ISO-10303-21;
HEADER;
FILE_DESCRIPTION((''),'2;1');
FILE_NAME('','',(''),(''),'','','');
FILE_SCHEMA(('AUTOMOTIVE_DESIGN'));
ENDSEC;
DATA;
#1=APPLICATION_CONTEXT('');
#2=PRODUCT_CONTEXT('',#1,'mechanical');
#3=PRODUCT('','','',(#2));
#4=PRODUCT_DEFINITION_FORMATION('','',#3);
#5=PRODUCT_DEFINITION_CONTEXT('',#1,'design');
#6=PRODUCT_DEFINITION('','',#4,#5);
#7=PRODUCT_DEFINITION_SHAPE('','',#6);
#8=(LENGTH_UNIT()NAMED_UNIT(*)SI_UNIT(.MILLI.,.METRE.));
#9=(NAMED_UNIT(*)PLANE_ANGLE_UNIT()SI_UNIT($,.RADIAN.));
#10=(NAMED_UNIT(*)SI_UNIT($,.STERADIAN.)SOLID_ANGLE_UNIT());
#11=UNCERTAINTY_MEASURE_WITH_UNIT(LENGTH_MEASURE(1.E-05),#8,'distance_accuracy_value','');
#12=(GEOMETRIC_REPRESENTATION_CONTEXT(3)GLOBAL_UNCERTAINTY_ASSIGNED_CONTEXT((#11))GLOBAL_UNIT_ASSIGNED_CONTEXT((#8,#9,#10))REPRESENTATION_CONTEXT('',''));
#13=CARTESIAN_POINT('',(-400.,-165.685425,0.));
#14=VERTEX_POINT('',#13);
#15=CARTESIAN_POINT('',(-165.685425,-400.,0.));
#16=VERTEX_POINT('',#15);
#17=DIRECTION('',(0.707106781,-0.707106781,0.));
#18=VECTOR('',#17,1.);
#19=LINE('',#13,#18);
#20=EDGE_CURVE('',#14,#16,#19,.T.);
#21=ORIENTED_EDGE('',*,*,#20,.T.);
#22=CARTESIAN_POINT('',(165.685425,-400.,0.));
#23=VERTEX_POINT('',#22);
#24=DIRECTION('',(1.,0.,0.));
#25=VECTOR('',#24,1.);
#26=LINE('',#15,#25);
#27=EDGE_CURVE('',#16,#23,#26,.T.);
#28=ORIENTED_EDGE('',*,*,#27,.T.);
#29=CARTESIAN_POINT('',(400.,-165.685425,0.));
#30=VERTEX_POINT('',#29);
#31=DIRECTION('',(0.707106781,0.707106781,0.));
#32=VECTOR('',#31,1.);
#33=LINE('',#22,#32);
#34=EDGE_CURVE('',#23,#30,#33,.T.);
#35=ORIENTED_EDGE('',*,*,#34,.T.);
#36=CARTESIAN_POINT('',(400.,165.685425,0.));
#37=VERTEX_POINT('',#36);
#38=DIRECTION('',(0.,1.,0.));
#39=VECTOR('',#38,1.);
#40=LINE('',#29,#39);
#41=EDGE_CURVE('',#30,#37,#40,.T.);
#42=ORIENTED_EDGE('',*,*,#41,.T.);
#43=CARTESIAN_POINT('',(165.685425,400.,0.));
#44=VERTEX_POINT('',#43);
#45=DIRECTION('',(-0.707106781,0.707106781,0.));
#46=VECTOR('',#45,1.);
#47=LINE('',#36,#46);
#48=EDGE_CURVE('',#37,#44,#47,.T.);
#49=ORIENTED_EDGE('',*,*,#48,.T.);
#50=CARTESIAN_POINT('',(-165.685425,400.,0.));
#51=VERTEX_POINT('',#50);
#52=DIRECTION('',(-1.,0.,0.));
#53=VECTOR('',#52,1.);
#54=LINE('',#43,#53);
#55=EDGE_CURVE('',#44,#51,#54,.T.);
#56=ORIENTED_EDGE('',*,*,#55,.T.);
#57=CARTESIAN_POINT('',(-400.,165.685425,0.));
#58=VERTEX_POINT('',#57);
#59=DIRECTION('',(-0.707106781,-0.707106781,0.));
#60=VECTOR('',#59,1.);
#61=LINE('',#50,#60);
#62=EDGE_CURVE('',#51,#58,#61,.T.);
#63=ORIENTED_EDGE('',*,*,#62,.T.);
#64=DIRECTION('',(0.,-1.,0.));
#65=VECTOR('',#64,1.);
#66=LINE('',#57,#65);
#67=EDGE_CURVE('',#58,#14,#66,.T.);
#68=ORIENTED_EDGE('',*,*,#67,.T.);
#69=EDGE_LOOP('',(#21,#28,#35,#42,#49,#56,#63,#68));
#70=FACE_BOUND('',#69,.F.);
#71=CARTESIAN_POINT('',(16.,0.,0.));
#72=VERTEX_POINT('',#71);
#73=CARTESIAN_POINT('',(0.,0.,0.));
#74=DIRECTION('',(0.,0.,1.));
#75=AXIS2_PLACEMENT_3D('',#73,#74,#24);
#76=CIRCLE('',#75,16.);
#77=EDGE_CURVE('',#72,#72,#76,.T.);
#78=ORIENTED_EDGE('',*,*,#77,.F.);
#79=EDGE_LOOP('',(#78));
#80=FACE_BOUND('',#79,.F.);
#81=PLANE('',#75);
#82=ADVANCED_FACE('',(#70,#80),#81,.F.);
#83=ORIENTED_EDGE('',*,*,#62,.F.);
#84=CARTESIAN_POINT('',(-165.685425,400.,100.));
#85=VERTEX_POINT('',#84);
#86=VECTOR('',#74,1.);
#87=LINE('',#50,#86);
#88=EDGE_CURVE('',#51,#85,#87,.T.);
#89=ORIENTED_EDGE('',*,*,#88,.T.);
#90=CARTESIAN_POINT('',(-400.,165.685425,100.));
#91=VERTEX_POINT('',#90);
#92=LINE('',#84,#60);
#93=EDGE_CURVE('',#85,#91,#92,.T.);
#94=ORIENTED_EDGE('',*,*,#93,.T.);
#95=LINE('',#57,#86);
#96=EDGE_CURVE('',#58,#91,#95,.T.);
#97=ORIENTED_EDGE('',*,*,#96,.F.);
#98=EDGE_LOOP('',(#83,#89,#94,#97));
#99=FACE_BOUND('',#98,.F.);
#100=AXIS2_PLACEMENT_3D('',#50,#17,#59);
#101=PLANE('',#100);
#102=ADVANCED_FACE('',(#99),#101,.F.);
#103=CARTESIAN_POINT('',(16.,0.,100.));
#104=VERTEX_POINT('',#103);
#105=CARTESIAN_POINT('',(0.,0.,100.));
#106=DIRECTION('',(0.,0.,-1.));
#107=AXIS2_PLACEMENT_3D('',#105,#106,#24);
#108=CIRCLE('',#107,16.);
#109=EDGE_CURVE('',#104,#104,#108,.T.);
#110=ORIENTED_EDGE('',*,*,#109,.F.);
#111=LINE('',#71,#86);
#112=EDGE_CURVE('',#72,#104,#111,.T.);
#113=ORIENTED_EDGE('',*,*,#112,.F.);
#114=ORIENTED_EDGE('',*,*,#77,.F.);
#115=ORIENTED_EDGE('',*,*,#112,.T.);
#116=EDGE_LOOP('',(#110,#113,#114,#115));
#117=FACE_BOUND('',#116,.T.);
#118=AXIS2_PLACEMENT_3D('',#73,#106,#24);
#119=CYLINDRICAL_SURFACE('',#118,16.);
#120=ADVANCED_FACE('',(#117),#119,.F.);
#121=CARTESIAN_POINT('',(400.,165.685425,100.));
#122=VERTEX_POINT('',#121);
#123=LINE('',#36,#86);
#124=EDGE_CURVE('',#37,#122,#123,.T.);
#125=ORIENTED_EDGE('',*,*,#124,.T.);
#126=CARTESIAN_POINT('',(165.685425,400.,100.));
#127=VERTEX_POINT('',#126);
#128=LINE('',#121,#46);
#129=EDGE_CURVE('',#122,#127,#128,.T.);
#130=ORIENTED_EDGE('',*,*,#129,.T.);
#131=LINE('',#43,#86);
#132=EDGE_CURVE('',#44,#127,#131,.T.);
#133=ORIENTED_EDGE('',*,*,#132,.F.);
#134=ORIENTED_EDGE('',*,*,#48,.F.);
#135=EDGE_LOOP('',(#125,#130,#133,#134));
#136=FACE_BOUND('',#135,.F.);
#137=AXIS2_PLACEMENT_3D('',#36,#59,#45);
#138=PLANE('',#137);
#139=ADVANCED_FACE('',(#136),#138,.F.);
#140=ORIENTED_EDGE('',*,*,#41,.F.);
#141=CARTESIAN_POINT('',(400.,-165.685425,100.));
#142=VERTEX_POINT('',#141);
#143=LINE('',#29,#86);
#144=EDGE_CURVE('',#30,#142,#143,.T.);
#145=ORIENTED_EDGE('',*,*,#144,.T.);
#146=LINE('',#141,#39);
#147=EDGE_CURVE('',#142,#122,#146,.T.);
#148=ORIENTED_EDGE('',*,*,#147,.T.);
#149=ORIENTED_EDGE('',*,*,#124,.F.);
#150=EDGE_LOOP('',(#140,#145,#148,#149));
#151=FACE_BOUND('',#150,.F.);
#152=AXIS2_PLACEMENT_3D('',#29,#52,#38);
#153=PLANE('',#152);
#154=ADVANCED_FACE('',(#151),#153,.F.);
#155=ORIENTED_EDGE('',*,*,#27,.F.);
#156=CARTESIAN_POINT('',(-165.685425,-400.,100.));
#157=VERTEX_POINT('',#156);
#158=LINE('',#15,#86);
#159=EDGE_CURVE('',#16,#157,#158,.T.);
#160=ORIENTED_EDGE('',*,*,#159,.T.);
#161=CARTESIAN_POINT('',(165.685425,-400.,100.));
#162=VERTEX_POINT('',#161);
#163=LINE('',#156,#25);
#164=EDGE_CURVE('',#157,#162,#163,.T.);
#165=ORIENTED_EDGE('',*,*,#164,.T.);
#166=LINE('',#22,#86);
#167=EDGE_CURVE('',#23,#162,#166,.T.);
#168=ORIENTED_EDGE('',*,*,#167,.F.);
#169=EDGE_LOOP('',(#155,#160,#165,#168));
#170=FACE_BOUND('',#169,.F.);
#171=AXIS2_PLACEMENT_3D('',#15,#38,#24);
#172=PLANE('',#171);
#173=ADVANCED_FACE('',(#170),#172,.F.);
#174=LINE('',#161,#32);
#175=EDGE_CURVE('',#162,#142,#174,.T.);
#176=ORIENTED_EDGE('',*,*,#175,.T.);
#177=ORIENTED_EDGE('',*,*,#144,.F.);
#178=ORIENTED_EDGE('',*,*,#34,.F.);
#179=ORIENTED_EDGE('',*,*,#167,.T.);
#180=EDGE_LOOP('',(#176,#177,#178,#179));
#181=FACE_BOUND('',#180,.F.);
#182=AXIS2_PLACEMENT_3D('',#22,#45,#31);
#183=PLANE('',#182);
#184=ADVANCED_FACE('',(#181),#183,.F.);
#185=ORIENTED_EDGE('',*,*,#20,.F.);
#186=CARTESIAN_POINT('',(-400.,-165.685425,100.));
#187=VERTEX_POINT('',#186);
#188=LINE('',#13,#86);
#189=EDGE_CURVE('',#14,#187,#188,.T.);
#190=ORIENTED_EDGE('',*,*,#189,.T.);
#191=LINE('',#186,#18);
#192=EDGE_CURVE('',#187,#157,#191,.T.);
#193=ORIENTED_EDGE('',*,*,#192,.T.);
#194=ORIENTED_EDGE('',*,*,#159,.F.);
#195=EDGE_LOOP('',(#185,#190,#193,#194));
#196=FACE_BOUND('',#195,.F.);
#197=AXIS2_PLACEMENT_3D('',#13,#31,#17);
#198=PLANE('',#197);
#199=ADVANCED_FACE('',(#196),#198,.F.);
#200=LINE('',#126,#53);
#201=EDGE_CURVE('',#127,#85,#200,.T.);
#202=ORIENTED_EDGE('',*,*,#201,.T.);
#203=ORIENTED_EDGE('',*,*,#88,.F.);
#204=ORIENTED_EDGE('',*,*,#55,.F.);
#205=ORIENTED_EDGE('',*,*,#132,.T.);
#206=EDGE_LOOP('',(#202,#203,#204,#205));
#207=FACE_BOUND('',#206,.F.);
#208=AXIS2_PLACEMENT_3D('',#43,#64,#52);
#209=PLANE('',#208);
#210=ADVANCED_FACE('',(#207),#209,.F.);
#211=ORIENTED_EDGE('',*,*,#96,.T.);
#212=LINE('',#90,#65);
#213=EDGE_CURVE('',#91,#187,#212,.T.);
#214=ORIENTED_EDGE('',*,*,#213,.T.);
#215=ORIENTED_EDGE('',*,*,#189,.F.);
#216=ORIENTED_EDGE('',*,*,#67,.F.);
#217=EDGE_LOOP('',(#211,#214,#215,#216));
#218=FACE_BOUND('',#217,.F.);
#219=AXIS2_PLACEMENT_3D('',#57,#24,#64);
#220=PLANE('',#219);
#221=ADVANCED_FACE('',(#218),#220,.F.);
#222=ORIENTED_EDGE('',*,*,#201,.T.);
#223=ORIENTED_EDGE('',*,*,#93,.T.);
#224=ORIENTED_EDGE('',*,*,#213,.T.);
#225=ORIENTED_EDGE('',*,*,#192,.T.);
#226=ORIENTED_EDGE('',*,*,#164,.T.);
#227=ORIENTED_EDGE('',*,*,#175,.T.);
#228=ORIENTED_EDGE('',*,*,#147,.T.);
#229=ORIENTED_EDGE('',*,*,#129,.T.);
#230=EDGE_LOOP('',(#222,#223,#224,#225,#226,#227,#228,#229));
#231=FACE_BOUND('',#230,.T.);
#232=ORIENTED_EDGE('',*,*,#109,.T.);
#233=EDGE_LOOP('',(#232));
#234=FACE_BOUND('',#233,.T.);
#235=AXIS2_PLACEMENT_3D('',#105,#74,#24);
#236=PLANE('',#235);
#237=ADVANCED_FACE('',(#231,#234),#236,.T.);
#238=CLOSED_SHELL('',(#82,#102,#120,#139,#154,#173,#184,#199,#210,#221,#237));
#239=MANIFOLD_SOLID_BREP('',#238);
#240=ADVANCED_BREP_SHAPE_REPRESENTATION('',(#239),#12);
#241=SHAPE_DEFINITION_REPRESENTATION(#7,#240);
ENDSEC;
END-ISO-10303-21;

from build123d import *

# Parameters (mm, degrees)
CYLINDER_R     = 16
CYLINDER_DEPTH = 120
PAD_DEPTH      = 100


with BuildPart() as cylinder:
    # Cylinder → Cylinder (new body)
    with BuildSketch(Plane.XY):
        Circle(CYLINDER_R)
    extrude(amount=CYLINDER_DEPTH)


with BuildPart() as cut:
    # Sketch → Pad (new body)
    with BuildSketch(Plane.XY):
        Polygon((400, -165.685425), (400, 165.685425), (165.685425, 400), (-165.685425, 400), (-400, 165.685425), (-400, -165.685425), (-165.685425, -400), (165.685425, -400), align=None)
    extrude(amount=PAD_DEPTH)

    # Cut: cut Cylinder
    add(cylinder.part, mode=Mode.SUBTRACT)


solid = cut.part
